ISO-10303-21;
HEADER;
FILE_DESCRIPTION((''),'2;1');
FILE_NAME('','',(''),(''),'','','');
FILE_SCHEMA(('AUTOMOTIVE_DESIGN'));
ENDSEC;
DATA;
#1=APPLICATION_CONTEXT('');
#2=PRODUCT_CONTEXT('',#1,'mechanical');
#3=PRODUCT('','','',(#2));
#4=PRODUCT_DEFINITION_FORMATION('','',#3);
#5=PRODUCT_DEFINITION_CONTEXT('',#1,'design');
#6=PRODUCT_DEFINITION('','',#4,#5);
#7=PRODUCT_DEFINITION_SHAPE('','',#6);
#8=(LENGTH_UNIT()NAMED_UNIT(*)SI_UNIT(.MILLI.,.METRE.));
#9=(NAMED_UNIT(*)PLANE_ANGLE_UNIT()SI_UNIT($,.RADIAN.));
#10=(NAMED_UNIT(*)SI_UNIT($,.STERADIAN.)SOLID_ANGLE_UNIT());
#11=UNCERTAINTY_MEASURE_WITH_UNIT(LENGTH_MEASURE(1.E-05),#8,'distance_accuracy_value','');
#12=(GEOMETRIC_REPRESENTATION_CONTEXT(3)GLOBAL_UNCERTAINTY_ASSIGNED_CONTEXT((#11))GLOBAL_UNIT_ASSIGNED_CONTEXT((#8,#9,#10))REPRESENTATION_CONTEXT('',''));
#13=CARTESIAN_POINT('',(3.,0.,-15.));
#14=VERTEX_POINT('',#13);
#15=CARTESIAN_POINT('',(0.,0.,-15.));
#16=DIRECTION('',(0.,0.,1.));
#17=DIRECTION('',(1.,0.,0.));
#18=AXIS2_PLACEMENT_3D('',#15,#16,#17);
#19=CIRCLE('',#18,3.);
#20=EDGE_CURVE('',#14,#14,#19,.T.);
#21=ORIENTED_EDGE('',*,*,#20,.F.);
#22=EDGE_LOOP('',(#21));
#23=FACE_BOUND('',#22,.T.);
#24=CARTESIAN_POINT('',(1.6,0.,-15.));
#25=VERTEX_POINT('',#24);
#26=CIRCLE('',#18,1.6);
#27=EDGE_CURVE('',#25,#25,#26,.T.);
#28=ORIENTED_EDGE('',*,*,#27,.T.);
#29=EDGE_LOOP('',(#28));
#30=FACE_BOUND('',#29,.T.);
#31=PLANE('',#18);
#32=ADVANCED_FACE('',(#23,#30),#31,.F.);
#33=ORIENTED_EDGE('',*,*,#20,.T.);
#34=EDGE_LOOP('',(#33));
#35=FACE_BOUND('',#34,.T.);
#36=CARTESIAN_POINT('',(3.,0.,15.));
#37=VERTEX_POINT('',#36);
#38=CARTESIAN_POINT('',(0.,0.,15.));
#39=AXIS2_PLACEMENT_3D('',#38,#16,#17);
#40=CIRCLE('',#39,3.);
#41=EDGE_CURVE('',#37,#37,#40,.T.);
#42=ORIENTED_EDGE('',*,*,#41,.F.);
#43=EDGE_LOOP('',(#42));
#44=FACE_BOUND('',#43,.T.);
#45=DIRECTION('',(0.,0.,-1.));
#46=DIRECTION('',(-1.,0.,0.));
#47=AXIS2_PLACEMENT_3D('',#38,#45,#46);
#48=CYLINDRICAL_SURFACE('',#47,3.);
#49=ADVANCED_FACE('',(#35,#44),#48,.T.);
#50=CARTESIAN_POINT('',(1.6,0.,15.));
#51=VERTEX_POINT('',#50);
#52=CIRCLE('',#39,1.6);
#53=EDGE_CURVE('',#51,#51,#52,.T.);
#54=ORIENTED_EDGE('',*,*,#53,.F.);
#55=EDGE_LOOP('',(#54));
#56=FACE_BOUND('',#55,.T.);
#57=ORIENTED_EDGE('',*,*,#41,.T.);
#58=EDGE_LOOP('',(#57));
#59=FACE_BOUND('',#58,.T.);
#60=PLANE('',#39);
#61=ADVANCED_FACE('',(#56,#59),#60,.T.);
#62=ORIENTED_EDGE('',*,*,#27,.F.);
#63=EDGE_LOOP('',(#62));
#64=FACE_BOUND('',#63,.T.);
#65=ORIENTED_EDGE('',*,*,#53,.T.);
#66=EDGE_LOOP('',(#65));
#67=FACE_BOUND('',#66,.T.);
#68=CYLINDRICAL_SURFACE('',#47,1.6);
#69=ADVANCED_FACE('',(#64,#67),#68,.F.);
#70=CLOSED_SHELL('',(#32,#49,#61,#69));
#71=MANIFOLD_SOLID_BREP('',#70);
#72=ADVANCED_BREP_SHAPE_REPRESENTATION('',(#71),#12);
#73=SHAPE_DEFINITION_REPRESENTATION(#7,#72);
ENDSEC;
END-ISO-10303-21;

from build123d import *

# Parameters (mm, degrees)
SKETCH1_R           = 3
SKETCH1_R_2         = 1.6
EXTRUDE1_DEPTH      = 15
EXTRUDE1_DEPTH_BACK = 15


with BuildPart() as part:
    # Sketch1 → Extrude1 (new body, two sides)
    with BuildSketch(Plane.XY) as extrude1_sk:
        Circle(SKETCH1_R)
        Circle(SKETCH1_R_2, mode=Mode.SUBTRACT)
    extrude(amount=EXTRUDE1_DEPTH)
    extrude(extrude1_sk.sketch, amount=-EXTRUDE1_DEPTH_BACK)


solid = part.part
